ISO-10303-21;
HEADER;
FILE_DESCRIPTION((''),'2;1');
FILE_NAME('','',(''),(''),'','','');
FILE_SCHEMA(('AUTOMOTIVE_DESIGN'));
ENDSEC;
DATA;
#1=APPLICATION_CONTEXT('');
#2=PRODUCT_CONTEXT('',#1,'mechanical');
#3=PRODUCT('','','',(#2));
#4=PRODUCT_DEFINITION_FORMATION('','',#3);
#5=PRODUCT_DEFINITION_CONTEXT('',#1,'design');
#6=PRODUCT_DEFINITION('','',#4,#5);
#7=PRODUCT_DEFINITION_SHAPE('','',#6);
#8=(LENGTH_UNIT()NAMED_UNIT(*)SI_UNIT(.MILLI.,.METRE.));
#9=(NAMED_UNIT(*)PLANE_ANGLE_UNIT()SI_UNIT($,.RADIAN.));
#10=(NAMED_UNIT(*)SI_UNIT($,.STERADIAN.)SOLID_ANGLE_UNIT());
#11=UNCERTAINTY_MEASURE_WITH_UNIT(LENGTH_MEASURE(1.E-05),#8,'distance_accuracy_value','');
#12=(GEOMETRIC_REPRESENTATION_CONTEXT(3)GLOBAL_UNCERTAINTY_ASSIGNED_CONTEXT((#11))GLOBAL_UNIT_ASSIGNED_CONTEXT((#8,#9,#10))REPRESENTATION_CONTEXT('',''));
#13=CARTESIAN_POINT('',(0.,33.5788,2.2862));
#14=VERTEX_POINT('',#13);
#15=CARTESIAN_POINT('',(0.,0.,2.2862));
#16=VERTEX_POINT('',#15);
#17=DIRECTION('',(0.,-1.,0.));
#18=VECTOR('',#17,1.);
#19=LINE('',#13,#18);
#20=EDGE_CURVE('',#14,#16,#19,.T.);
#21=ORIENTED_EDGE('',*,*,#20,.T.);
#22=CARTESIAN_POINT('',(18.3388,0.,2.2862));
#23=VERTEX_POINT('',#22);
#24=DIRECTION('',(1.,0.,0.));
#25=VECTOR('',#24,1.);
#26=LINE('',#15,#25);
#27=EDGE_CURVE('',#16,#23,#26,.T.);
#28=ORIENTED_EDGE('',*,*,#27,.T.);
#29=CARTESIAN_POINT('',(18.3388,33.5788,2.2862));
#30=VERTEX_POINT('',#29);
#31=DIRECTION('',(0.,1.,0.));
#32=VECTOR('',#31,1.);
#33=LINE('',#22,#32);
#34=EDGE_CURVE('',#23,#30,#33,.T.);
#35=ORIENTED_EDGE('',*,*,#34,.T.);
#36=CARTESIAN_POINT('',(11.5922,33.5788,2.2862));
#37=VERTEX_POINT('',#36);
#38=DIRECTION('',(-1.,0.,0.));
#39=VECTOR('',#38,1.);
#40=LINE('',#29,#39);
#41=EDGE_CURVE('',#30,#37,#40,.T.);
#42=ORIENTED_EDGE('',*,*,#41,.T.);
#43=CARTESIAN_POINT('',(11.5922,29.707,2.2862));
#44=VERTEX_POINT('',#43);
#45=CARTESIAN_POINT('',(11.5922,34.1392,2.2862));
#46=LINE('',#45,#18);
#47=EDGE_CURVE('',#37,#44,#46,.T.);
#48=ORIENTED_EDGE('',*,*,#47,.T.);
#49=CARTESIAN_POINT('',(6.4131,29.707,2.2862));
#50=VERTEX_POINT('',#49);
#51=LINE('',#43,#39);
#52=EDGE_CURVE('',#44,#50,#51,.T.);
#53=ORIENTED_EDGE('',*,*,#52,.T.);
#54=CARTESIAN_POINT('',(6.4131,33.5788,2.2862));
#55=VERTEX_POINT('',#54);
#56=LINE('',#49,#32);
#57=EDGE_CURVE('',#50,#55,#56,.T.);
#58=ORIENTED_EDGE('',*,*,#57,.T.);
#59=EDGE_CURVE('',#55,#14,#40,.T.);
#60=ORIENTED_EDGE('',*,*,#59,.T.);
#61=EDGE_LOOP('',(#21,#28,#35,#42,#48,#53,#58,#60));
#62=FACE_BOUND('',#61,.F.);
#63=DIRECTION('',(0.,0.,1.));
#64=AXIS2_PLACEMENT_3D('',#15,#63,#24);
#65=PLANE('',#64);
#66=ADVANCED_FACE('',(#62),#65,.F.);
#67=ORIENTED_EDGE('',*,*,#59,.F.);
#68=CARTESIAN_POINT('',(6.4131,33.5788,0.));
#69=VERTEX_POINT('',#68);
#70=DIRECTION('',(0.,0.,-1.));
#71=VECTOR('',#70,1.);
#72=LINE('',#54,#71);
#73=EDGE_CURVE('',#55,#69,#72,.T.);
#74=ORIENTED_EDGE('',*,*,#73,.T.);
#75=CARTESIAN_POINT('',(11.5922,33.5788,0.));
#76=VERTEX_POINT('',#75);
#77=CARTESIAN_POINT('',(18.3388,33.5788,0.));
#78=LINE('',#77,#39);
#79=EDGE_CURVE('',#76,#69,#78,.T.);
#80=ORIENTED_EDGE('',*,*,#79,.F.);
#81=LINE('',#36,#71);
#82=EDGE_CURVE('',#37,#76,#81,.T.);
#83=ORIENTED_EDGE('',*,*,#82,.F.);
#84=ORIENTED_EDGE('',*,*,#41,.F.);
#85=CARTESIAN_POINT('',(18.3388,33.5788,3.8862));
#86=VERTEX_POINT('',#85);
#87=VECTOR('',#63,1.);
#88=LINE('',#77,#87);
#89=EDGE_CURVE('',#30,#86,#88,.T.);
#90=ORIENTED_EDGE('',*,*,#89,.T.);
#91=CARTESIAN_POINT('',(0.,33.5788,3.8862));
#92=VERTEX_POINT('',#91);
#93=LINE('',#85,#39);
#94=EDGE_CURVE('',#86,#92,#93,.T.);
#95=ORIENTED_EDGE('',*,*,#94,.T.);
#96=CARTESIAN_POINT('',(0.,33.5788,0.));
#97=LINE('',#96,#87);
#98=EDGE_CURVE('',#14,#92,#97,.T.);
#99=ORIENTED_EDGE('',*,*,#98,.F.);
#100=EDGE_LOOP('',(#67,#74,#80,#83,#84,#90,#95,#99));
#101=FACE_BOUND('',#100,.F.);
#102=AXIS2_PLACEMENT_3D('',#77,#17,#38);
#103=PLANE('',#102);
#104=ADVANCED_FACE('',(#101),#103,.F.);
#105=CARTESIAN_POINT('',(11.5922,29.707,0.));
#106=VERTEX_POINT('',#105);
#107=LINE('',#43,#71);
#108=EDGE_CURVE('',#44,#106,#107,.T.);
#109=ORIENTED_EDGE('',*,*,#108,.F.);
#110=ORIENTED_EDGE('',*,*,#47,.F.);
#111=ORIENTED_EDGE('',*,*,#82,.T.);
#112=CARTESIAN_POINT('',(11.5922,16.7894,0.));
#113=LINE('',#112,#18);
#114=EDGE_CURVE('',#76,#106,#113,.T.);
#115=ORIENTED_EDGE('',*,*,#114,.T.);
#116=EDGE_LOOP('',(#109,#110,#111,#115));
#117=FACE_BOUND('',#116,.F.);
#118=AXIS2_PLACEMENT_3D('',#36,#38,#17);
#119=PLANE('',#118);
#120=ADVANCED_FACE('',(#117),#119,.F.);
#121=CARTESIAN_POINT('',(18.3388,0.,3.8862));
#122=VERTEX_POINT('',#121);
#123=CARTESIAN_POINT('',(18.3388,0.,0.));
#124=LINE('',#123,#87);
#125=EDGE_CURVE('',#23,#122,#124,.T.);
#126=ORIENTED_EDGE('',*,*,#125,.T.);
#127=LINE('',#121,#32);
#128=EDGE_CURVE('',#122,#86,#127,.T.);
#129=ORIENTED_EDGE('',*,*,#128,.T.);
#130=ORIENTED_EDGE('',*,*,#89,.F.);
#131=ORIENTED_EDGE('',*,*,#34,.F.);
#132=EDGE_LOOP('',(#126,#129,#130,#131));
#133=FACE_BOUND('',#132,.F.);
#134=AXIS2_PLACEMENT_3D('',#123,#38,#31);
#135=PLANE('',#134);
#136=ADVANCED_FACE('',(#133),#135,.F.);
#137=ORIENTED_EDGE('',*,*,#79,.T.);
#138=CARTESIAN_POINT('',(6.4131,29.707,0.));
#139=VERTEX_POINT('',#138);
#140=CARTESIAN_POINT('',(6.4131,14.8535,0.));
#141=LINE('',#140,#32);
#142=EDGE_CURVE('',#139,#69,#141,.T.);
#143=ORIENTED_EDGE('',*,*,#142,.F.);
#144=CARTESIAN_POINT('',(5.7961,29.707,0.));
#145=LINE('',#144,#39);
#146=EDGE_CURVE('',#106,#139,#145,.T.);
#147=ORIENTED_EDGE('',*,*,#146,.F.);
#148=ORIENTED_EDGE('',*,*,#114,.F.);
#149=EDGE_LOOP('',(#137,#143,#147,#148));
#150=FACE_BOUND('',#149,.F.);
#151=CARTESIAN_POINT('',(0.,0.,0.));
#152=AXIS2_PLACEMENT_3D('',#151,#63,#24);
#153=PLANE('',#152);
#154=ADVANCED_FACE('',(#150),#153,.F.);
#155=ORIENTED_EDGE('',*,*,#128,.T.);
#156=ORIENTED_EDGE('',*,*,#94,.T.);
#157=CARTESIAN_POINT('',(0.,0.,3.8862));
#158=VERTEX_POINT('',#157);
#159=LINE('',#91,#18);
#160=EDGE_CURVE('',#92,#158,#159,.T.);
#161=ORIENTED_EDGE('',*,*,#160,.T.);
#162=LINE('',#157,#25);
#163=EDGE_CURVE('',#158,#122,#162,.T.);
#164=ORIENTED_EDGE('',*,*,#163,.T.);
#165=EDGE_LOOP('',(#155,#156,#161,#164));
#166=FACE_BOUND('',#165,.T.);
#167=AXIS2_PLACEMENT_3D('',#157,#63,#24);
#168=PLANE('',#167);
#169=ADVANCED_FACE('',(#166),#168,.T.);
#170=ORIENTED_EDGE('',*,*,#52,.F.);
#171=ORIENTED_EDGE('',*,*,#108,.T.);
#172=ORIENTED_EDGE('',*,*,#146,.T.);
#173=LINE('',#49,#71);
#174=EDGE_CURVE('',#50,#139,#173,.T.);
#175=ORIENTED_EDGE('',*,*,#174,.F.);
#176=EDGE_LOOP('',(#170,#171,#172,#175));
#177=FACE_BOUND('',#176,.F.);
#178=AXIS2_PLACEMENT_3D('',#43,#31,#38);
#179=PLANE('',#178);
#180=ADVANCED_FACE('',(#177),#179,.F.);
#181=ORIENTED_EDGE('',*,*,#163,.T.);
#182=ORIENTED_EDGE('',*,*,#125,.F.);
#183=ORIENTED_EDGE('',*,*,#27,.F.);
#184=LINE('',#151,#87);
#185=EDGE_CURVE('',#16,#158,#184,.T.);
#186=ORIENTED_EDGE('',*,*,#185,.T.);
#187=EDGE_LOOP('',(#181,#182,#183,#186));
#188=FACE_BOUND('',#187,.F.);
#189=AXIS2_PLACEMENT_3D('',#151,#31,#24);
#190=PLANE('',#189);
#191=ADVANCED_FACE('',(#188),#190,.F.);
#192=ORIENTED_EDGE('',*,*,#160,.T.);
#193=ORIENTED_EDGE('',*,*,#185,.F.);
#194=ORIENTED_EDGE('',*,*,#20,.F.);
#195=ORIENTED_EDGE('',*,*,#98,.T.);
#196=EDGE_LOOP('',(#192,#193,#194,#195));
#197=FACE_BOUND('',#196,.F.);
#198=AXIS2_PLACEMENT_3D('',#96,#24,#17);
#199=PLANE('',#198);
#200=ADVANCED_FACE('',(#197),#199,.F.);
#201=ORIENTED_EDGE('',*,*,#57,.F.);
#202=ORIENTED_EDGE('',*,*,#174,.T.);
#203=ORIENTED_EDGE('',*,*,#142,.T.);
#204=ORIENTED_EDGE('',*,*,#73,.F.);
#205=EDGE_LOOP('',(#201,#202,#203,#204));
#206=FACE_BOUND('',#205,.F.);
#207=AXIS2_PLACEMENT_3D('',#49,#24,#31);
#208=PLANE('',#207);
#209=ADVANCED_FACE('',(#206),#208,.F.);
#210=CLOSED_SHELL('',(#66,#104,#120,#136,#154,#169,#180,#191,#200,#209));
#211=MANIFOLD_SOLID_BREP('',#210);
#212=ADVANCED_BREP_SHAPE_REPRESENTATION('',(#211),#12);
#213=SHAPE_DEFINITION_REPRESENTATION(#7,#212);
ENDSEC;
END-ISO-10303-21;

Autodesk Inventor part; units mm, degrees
ref_plane "YZ Plane" through (0, 0, 0) normal (1, 0, 0) x (0, 1, 0)
ref_plane "XZ Plane" through (0, 0, 0) normal (0, 1, 0) x (-1, 0, 0)
sketch "Sketch1" plane through (0, 0, 0) normal (0, 0, 1) x (1, 0, 0)
  line L0 (0, 0) -> (18.3388, 0)
  line L1 (18.3388, 0) -> (18.3388, 33.5788)
  line L2 (18.3388, 33.5788) -> (0, 33.5788)
  line L3 (0, 33.5788) -> (0, 0)
  dimension "d0" = 18.3388
  dimension "d1" = 33.5788
extrude "Extrusion1" add sketch "Sketch1" along normal blind 3.8862
ref_plane "Work Plane1" through (0, 0, 2.2862) normal (0, 0, 1) x (1, 0, 0)
sketch "Sketch2" plane through (0, 0, 2.2862) normal (0, 0, 1) x (1, 0, 0)
  line L0 (6.4131, 34.1392) -> (11.5922, 34.1392)
  line L1 (11.5922, 34.1392) -> (11.5922, 29.707)
  line L2 (11.5922, 29.707) -> (6.4131, 29.707)
  line L3 (6.4131, 29.707) -> (6.4131, 34.1392)
  line L4 (18.3388, 0) -> (18.3388, 33.5788) projected
  line L5 (18.3388, 33.5788) -> (0, 33.5788) projected
  line L6 (0, 33.5788) -> (0, 0) projected
  line L7 (0, 0) -> (18.3388, 0) projected
  point P0 (6.4131, 33.5788)
  point P1 (11.5922, 33.5788)
extrude "Extrusion2" cut sketch "Sketch2" against normal blind 25.4 contours L3 L2 L1 L5 L4 L7 L6
properties part number "Arduino Pro Micro"
